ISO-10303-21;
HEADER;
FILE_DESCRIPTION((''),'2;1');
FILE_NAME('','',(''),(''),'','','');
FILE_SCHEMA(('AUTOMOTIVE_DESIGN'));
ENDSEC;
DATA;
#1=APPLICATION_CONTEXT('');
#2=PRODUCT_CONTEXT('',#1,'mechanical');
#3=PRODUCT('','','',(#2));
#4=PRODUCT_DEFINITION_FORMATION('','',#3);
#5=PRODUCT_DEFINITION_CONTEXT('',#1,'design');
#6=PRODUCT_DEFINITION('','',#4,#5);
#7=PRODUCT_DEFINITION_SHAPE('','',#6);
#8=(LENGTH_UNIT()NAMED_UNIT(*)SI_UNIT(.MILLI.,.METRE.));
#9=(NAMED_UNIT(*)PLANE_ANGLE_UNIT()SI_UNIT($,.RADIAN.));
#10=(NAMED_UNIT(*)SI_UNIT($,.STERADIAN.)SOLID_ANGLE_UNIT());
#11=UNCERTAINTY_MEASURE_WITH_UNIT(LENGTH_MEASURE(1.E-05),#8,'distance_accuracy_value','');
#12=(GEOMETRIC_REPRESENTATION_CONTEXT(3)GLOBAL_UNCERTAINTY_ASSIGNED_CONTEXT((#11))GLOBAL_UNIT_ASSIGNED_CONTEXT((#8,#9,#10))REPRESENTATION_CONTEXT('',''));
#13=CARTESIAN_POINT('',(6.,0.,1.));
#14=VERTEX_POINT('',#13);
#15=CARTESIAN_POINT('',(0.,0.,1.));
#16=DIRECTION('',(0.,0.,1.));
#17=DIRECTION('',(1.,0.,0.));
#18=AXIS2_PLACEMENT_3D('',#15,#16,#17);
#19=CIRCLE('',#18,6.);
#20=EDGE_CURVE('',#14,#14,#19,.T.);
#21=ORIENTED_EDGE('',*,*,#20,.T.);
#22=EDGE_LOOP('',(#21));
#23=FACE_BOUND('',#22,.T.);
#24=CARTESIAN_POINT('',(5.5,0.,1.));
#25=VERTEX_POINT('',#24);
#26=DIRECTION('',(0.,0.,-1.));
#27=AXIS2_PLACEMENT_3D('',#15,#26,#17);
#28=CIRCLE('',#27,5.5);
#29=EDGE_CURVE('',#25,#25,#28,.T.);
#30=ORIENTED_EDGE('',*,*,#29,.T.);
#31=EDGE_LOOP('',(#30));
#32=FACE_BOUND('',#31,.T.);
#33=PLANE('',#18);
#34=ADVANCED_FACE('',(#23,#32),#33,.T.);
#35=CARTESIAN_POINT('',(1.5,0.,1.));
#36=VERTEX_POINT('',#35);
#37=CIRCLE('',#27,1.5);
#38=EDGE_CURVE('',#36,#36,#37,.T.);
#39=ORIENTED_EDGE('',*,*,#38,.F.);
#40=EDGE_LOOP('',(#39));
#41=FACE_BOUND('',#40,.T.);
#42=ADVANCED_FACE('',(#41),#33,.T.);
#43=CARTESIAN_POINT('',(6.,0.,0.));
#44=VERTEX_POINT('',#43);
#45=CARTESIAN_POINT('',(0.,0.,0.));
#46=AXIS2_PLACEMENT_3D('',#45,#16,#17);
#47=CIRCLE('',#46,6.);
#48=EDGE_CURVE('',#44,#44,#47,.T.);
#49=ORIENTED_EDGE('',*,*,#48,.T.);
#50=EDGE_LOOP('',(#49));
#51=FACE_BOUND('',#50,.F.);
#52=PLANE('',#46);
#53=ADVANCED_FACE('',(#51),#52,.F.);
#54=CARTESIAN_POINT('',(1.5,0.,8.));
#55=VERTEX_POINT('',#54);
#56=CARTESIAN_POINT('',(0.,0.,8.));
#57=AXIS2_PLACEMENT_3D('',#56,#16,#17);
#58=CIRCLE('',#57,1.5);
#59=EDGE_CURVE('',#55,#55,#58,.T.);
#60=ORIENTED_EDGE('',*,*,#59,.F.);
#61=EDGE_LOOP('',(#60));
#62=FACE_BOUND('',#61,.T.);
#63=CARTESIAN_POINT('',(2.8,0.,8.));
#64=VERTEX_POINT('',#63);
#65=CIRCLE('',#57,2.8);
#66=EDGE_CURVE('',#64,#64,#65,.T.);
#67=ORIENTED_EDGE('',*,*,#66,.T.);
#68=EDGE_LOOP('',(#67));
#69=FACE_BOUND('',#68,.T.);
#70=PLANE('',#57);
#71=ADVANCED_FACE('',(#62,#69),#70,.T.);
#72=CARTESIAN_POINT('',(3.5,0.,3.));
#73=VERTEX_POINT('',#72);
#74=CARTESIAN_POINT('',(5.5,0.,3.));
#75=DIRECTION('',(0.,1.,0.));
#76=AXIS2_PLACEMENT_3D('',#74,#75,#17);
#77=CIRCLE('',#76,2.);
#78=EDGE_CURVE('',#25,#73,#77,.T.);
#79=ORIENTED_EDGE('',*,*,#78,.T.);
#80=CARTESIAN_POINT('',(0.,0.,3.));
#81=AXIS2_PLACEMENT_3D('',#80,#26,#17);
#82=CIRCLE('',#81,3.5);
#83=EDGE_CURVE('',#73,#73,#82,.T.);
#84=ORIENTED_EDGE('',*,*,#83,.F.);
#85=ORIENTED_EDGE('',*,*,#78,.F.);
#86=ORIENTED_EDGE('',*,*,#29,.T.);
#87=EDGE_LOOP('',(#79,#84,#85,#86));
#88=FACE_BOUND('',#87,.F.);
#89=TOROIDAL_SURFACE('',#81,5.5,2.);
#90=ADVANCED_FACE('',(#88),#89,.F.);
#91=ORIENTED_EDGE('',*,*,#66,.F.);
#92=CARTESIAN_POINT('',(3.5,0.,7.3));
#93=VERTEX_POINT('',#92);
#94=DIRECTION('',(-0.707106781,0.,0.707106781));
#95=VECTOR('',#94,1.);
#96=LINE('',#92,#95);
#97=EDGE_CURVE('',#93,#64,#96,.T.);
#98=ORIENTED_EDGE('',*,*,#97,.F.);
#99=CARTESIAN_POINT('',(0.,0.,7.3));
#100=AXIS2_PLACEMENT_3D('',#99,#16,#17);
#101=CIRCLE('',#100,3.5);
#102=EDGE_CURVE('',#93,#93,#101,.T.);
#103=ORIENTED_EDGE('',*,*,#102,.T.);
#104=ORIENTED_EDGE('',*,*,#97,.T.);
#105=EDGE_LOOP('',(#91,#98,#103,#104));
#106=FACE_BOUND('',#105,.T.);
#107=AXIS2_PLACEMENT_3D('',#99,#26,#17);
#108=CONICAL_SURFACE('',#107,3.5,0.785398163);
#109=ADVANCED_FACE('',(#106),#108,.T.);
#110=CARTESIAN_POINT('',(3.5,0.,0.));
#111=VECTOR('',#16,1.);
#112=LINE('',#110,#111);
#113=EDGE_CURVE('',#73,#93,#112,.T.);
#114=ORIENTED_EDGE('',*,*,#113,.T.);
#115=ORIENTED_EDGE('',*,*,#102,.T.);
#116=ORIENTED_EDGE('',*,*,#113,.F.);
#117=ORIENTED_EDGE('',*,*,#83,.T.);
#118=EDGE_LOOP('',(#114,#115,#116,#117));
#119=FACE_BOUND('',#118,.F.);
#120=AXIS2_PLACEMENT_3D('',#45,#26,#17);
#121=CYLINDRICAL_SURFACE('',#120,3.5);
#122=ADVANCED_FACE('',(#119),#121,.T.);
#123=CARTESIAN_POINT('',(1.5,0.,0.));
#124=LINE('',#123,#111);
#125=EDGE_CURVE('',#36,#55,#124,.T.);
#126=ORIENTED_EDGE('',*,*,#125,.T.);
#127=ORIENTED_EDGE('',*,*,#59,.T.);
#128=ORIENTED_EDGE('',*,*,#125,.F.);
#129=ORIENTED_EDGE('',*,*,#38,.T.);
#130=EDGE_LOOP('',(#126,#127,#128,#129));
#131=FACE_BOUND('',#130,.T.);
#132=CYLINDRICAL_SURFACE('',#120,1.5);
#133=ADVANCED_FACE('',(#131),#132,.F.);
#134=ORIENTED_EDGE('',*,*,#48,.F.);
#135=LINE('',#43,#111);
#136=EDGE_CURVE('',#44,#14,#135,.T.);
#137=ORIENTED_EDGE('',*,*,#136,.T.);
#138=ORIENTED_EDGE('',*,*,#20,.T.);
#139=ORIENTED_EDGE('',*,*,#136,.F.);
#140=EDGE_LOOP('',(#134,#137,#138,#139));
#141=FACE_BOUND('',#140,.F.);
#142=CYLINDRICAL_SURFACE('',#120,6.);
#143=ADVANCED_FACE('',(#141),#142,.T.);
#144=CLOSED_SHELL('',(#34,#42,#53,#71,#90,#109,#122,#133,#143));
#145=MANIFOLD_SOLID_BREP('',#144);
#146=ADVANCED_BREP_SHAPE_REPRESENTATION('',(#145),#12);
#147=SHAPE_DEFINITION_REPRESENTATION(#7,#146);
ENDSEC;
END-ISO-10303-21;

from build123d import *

# Parameters (mm, degrees)
F0_R     = 6
F0_R_2   = 3.5
F0_R_3   = 1.5
F1_DEPTH = 1
F2_DEPTH = 8
F3_R     = 2
F4_SIZE  = 0.7


with BuildPart() as f1:
    # F0 (on Top) → F1 (new body)
    with BuildSketch(Plane.XY):
        Circle(F0_R)
        Circle(F0_R_2, mode=Mode.SUBTRACT)
        Circle(F0_R_2)
        Circle(F0_R_3, mode=Mode.SUBTRACT)
        Circle(F0_R_3)
    extrude(amount=F1_DEPTH)

    # F0 (on Top) → F2 (join)
    with BuildSketch(Plane.XY):
        Circle(F0_R_2)
        Circle(F0_R_3, mode=Mode.SUBTRACT)
    extrude(amount=F2_DEPTH)

    # F3
    f3_edges = [f1.edges().sort_by_distance(p)[0] for p in [
        (-3.5, 0, 1),
    ]]
    fillet(f3_edges, radius=F3_R)

    # F4
    f4_edges = [f1.edges().sort_by_distance(p)[0] for p in [
        (-3.5, 0, 8),
    ]]
    chamfer(f4_edges, length=F4_SIZE)


solid = f1.part
